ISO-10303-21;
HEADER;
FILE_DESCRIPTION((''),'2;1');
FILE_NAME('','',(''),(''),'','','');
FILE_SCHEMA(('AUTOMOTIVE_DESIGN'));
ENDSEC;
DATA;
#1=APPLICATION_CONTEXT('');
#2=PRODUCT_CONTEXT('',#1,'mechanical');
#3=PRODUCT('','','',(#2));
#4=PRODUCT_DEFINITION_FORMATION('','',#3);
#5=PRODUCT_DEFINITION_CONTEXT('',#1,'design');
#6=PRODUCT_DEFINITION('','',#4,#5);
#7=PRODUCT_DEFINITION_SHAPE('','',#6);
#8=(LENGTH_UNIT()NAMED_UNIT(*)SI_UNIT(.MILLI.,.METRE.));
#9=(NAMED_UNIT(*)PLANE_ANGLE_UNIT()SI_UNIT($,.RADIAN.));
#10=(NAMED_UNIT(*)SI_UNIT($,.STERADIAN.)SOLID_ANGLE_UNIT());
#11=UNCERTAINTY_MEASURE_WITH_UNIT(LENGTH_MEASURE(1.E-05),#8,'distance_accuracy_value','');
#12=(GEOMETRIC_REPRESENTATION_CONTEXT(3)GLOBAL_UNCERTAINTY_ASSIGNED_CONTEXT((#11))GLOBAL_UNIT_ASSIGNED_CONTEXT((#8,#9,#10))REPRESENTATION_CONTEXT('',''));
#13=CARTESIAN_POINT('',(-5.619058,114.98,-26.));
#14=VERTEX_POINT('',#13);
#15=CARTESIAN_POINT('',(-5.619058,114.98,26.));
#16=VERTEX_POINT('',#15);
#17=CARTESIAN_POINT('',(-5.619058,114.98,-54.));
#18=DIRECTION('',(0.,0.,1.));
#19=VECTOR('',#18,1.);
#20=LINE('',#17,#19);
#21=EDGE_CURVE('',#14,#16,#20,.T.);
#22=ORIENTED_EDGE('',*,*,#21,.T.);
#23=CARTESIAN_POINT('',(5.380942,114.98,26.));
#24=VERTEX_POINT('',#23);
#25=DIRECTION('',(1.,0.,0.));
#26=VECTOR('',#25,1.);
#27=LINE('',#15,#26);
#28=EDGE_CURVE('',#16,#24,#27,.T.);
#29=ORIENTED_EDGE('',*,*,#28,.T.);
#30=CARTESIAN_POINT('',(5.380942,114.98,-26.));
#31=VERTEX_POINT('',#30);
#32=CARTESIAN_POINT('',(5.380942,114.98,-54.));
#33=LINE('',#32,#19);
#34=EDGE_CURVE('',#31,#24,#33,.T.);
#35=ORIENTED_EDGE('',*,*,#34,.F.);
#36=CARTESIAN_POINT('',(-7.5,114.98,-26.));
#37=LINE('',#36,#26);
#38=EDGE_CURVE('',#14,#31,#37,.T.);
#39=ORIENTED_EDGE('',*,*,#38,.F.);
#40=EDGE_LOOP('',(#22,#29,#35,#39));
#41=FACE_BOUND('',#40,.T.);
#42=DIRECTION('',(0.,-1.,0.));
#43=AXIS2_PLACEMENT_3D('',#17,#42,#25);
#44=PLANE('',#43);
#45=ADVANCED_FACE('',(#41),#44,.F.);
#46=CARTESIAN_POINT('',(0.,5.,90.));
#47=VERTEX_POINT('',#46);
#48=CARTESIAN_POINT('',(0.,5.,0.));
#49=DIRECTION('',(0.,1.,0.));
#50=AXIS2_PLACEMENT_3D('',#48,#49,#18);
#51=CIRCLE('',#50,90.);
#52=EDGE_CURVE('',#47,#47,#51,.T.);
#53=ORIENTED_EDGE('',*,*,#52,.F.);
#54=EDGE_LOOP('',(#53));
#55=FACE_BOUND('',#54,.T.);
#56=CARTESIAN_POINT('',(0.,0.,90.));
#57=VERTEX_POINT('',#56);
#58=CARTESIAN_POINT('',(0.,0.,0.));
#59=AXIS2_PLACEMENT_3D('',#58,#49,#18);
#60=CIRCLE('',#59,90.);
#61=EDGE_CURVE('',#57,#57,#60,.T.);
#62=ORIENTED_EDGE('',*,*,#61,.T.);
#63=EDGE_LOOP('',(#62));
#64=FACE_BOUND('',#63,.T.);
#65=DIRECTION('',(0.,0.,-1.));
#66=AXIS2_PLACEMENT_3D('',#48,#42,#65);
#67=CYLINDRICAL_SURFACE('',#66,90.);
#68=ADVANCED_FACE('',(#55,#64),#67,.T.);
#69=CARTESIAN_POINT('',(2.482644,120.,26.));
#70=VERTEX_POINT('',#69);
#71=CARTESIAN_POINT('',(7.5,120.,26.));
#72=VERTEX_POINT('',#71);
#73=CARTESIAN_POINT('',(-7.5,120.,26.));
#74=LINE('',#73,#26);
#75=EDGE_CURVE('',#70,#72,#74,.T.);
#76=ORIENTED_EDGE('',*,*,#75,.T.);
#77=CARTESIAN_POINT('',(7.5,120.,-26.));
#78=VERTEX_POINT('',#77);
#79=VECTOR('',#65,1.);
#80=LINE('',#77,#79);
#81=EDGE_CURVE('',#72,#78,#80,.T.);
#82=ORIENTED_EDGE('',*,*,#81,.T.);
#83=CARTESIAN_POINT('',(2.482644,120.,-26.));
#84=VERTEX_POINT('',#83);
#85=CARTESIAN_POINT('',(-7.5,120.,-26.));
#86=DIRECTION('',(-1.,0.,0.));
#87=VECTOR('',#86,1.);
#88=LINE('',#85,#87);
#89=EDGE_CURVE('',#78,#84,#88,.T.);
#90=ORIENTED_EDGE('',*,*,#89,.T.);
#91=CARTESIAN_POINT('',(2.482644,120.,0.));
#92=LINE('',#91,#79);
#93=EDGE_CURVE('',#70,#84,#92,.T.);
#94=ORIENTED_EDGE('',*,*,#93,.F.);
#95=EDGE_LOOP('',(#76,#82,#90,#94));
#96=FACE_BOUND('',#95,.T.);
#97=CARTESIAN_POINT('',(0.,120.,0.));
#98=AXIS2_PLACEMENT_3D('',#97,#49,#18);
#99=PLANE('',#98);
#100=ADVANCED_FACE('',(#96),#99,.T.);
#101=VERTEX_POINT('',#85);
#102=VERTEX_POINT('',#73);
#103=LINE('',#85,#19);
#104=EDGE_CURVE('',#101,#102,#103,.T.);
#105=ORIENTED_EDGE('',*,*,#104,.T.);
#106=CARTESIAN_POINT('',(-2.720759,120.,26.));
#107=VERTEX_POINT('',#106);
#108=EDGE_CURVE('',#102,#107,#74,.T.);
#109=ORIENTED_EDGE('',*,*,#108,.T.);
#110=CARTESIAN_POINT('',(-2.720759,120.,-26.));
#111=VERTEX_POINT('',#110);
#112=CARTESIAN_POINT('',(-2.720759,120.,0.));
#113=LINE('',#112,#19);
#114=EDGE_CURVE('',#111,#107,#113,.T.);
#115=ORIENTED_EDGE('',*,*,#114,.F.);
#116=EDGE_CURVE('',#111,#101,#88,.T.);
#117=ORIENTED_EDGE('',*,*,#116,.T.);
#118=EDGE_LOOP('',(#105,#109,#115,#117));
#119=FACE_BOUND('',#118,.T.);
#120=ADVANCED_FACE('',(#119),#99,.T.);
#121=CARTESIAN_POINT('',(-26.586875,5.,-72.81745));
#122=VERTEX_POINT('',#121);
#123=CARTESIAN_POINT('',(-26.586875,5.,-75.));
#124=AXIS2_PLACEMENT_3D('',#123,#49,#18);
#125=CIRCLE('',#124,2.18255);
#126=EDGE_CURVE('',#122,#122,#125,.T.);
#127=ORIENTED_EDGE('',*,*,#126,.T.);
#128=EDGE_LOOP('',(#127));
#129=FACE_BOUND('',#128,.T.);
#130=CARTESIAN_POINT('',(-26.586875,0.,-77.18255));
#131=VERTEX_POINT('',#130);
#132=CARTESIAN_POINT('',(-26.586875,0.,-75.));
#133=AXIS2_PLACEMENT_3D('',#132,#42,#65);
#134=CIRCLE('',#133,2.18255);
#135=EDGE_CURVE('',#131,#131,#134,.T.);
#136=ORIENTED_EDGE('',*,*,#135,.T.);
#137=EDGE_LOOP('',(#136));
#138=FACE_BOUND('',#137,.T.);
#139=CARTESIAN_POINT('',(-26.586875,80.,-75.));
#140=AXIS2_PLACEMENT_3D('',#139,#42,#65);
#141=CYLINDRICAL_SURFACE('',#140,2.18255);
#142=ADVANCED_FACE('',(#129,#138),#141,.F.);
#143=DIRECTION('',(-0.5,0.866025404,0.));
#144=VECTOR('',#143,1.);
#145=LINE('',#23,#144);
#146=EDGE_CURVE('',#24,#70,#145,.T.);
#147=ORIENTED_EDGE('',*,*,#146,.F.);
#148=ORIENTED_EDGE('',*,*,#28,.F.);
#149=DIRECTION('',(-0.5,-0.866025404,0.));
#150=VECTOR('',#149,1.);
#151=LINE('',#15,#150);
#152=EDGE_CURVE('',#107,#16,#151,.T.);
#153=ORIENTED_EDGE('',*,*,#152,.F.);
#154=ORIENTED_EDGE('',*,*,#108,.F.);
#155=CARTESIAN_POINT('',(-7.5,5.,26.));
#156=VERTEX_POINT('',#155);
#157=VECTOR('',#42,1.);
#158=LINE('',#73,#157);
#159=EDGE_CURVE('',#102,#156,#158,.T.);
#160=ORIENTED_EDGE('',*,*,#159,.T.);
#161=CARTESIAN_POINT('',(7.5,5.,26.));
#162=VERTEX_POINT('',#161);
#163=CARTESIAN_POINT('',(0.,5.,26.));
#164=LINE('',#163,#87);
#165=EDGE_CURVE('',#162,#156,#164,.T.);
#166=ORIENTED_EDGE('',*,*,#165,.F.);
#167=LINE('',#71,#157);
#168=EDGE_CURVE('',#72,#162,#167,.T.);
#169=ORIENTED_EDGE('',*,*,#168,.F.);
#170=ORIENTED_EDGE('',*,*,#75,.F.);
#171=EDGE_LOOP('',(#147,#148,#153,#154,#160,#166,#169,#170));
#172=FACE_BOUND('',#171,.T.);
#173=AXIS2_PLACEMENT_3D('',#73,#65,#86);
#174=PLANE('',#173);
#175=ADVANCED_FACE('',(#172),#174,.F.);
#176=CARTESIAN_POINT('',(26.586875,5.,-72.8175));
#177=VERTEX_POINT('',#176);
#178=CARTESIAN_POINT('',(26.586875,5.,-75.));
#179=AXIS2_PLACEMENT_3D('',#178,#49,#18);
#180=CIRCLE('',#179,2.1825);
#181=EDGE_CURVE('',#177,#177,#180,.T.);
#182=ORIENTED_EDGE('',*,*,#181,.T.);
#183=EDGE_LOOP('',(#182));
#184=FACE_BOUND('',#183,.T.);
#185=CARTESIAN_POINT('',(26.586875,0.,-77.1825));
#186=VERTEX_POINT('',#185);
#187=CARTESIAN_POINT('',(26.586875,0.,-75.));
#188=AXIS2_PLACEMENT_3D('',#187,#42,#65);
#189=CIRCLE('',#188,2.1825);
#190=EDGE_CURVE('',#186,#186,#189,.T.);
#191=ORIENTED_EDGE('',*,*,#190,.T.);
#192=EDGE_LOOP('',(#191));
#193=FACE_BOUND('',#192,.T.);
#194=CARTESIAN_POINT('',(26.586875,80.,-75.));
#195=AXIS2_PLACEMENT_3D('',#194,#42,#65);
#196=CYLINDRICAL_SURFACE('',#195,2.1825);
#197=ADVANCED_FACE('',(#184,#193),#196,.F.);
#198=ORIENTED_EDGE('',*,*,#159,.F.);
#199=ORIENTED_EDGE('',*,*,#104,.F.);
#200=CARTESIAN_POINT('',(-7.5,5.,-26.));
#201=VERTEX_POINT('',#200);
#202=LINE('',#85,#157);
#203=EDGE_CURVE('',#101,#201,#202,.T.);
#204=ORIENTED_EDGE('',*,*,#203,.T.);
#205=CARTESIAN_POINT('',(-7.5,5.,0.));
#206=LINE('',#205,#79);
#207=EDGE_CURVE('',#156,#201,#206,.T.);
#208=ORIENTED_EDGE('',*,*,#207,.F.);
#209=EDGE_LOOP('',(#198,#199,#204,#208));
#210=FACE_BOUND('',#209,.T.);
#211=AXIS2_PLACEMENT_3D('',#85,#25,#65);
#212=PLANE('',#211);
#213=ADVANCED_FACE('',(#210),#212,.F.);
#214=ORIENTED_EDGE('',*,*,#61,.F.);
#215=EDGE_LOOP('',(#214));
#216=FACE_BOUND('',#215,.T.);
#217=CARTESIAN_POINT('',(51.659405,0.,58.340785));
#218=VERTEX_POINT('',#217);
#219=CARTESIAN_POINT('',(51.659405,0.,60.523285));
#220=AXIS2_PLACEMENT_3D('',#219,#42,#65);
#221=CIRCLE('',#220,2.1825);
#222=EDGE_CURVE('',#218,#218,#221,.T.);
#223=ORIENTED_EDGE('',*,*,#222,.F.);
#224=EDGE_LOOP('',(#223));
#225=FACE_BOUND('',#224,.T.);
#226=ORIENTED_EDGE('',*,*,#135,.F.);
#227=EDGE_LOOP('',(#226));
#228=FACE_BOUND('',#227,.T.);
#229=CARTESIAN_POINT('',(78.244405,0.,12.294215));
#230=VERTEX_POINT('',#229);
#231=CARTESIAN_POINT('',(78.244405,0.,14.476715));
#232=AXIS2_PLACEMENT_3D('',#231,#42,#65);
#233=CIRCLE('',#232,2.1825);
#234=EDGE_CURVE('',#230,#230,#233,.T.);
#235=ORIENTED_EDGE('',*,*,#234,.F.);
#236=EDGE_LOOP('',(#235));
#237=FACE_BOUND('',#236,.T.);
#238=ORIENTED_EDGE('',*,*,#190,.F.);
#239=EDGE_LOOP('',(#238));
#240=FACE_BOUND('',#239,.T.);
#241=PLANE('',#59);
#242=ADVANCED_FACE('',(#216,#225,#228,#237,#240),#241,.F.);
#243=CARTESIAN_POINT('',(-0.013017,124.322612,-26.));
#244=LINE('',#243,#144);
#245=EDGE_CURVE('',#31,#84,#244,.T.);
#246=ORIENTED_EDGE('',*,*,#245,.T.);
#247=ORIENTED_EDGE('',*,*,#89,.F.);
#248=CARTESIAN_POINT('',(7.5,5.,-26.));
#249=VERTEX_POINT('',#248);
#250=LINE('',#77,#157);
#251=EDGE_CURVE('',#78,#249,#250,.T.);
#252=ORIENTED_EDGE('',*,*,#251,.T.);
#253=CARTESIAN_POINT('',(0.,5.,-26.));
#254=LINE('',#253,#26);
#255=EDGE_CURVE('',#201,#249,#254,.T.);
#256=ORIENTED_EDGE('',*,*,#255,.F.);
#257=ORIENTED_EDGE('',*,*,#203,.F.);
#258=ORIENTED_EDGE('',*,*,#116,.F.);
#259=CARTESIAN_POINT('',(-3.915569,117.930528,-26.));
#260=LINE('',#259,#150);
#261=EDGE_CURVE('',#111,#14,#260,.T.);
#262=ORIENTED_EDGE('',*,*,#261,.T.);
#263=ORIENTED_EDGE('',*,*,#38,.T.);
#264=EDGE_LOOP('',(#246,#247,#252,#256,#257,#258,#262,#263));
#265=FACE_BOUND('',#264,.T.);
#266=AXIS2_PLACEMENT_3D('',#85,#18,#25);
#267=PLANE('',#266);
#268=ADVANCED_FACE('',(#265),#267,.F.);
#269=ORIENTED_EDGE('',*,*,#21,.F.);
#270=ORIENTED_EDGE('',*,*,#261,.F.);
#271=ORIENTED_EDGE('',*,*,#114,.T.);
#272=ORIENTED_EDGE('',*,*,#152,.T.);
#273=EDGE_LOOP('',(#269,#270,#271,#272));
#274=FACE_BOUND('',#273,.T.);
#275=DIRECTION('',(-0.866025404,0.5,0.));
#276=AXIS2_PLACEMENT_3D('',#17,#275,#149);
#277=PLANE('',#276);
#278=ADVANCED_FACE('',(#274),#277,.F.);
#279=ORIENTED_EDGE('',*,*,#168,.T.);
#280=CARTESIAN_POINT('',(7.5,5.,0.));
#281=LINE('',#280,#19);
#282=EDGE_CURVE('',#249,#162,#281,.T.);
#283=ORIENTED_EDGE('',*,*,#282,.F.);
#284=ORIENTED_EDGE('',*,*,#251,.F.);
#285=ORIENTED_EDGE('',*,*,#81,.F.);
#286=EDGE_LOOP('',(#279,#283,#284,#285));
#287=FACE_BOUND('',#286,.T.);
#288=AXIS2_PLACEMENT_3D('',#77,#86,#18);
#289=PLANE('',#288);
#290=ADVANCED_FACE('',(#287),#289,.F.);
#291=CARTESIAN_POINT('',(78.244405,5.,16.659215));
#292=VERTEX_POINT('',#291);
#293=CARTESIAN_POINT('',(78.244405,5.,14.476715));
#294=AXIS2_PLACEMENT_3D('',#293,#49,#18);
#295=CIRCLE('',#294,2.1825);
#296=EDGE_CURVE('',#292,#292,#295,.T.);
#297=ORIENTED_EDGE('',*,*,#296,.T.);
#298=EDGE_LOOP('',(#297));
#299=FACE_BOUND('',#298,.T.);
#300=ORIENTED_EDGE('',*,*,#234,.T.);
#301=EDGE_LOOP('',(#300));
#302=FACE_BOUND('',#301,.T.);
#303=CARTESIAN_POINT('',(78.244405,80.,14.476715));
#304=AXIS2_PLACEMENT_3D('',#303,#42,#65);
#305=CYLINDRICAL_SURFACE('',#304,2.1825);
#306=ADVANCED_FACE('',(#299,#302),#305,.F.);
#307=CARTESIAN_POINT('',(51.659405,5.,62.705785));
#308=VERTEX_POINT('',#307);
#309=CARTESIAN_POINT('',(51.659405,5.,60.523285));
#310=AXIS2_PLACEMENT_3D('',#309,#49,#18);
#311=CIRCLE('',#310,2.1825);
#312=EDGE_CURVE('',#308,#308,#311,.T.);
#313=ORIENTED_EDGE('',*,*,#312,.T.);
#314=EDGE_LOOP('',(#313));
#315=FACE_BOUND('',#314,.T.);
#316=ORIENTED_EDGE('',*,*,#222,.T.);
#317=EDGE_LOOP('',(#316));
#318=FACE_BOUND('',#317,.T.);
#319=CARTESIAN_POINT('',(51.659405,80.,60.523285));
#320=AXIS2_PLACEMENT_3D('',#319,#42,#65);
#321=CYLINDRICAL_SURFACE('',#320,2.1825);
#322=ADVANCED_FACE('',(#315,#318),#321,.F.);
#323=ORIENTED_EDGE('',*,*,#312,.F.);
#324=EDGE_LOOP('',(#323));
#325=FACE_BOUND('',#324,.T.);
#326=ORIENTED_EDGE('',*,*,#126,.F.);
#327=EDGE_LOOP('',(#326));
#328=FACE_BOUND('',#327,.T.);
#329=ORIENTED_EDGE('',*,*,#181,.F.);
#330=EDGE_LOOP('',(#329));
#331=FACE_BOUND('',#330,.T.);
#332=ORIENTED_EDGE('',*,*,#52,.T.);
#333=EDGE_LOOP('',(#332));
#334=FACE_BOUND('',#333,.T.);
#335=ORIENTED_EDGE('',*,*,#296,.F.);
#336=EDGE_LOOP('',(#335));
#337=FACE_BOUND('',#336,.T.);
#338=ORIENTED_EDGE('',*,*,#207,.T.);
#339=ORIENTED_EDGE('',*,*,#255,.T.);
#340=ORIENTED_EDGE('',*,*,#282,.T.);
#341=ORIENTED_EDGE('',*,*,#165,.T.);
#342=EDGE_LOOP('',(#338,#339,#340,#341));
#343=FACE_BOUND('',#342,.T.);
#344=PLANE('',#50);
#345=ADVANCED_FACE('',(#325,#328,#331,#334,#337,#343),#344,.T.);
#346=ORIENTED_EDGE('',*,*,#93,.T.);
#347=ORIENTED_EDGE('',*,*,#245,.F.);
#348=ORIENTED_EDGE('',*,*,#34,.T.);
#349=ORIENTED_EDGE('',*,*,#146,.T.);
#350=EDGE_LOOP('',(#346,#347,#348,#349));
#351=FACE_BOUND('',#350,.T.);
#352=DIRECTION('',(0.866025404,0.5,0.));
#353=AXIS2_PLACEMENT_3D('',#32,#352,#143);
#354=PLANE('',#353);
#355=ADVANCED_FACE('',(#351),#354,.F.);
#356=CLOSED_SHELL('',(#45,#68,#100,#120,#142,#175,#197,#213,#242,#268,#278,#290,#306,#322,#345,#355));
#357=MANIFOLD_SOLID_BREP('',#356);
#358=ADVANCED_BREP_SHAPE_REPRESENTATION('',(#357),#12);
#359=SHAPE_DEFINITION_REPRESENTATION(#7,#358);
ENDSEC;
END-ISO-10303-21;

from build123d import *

# Parameters (mm, degrees)
SKETCH1_R           = 90
BOSS_EXTRUDE2_DEPTH = 5
SKETCH3_W           = 15
SKETCH3_H           = 52
BOSS_EXTRUDE3_DEPTH = 120
CUT_EXTRUDE1_DEPTH  = 80
SKETCH8_R           = 2.1825
SKETCH8_R_2         = 2.18255
CUT_EXTRUDE3_DEPTH  = 80


with BuildPart() as part:
    # Sketch1 → Boss-Extrude2 (new body)
    with BuildSketch(Plane(origin=(0, 0, 0), x_dir=(1, 0, 0), z_dir=(0, 1, 0))):
        with Locations(Location((0, 0, 0), (0, 0, 270))):
            Circle(SKETCH1_R)
    extrude(amount=BOSS_EXTRUDE2_DEPTH)

    # Sketch3 → Boss-Extrude3 (add)
    with BuildSketch(Plane(origin=(0, 0, 0), x_dir=(1, 0, 0), z_dir=(0, 1, 0))):
        Rectangle(SKETCH3_W, SKETCH3_H)
    extrude(amount=BOSS_EXTRUDE3_DEPTH)

    # Sketch5 → Cut-Extrude1 (cut)
    with BuildSketch(Plane.XY.offset(26)):
        Polygon((-5.619057526, 114.98), (-2.720759175, 120), (2.482644122, 120), (5.380942474, 114.98), align=None)
    extrude(amount=-CUT_EXTRUDE1_DEPTH, mode=Mode.SUBTRACT)

    # Sketch8 → Cut-Extrude3 (cut)
    with BuildSketch(Plane.XZ):
        with Locations(Location((26.586875, -75, 0), (0, 0, 270))):
            Circle(SKETCH8_R)
        with Locations(Location((-26.586875, -75, 0), (0, 0, 270))):
            Circle(SKETCH8_R_2)
        with Locations(Location((51.659405284, 60.52328536, 0), (0, 0, 270))):
            Circle(SKETCH8_R)
        with Locations(Location((78.244405284, 14.47671464, 0), (0, 0, 270))):
            Circle(SKETCH8_R)
    extrude(amount=-CUT_EXTRUDE3_DEPTH, mode=Mode.SUBTRACT)


solid = part.part
